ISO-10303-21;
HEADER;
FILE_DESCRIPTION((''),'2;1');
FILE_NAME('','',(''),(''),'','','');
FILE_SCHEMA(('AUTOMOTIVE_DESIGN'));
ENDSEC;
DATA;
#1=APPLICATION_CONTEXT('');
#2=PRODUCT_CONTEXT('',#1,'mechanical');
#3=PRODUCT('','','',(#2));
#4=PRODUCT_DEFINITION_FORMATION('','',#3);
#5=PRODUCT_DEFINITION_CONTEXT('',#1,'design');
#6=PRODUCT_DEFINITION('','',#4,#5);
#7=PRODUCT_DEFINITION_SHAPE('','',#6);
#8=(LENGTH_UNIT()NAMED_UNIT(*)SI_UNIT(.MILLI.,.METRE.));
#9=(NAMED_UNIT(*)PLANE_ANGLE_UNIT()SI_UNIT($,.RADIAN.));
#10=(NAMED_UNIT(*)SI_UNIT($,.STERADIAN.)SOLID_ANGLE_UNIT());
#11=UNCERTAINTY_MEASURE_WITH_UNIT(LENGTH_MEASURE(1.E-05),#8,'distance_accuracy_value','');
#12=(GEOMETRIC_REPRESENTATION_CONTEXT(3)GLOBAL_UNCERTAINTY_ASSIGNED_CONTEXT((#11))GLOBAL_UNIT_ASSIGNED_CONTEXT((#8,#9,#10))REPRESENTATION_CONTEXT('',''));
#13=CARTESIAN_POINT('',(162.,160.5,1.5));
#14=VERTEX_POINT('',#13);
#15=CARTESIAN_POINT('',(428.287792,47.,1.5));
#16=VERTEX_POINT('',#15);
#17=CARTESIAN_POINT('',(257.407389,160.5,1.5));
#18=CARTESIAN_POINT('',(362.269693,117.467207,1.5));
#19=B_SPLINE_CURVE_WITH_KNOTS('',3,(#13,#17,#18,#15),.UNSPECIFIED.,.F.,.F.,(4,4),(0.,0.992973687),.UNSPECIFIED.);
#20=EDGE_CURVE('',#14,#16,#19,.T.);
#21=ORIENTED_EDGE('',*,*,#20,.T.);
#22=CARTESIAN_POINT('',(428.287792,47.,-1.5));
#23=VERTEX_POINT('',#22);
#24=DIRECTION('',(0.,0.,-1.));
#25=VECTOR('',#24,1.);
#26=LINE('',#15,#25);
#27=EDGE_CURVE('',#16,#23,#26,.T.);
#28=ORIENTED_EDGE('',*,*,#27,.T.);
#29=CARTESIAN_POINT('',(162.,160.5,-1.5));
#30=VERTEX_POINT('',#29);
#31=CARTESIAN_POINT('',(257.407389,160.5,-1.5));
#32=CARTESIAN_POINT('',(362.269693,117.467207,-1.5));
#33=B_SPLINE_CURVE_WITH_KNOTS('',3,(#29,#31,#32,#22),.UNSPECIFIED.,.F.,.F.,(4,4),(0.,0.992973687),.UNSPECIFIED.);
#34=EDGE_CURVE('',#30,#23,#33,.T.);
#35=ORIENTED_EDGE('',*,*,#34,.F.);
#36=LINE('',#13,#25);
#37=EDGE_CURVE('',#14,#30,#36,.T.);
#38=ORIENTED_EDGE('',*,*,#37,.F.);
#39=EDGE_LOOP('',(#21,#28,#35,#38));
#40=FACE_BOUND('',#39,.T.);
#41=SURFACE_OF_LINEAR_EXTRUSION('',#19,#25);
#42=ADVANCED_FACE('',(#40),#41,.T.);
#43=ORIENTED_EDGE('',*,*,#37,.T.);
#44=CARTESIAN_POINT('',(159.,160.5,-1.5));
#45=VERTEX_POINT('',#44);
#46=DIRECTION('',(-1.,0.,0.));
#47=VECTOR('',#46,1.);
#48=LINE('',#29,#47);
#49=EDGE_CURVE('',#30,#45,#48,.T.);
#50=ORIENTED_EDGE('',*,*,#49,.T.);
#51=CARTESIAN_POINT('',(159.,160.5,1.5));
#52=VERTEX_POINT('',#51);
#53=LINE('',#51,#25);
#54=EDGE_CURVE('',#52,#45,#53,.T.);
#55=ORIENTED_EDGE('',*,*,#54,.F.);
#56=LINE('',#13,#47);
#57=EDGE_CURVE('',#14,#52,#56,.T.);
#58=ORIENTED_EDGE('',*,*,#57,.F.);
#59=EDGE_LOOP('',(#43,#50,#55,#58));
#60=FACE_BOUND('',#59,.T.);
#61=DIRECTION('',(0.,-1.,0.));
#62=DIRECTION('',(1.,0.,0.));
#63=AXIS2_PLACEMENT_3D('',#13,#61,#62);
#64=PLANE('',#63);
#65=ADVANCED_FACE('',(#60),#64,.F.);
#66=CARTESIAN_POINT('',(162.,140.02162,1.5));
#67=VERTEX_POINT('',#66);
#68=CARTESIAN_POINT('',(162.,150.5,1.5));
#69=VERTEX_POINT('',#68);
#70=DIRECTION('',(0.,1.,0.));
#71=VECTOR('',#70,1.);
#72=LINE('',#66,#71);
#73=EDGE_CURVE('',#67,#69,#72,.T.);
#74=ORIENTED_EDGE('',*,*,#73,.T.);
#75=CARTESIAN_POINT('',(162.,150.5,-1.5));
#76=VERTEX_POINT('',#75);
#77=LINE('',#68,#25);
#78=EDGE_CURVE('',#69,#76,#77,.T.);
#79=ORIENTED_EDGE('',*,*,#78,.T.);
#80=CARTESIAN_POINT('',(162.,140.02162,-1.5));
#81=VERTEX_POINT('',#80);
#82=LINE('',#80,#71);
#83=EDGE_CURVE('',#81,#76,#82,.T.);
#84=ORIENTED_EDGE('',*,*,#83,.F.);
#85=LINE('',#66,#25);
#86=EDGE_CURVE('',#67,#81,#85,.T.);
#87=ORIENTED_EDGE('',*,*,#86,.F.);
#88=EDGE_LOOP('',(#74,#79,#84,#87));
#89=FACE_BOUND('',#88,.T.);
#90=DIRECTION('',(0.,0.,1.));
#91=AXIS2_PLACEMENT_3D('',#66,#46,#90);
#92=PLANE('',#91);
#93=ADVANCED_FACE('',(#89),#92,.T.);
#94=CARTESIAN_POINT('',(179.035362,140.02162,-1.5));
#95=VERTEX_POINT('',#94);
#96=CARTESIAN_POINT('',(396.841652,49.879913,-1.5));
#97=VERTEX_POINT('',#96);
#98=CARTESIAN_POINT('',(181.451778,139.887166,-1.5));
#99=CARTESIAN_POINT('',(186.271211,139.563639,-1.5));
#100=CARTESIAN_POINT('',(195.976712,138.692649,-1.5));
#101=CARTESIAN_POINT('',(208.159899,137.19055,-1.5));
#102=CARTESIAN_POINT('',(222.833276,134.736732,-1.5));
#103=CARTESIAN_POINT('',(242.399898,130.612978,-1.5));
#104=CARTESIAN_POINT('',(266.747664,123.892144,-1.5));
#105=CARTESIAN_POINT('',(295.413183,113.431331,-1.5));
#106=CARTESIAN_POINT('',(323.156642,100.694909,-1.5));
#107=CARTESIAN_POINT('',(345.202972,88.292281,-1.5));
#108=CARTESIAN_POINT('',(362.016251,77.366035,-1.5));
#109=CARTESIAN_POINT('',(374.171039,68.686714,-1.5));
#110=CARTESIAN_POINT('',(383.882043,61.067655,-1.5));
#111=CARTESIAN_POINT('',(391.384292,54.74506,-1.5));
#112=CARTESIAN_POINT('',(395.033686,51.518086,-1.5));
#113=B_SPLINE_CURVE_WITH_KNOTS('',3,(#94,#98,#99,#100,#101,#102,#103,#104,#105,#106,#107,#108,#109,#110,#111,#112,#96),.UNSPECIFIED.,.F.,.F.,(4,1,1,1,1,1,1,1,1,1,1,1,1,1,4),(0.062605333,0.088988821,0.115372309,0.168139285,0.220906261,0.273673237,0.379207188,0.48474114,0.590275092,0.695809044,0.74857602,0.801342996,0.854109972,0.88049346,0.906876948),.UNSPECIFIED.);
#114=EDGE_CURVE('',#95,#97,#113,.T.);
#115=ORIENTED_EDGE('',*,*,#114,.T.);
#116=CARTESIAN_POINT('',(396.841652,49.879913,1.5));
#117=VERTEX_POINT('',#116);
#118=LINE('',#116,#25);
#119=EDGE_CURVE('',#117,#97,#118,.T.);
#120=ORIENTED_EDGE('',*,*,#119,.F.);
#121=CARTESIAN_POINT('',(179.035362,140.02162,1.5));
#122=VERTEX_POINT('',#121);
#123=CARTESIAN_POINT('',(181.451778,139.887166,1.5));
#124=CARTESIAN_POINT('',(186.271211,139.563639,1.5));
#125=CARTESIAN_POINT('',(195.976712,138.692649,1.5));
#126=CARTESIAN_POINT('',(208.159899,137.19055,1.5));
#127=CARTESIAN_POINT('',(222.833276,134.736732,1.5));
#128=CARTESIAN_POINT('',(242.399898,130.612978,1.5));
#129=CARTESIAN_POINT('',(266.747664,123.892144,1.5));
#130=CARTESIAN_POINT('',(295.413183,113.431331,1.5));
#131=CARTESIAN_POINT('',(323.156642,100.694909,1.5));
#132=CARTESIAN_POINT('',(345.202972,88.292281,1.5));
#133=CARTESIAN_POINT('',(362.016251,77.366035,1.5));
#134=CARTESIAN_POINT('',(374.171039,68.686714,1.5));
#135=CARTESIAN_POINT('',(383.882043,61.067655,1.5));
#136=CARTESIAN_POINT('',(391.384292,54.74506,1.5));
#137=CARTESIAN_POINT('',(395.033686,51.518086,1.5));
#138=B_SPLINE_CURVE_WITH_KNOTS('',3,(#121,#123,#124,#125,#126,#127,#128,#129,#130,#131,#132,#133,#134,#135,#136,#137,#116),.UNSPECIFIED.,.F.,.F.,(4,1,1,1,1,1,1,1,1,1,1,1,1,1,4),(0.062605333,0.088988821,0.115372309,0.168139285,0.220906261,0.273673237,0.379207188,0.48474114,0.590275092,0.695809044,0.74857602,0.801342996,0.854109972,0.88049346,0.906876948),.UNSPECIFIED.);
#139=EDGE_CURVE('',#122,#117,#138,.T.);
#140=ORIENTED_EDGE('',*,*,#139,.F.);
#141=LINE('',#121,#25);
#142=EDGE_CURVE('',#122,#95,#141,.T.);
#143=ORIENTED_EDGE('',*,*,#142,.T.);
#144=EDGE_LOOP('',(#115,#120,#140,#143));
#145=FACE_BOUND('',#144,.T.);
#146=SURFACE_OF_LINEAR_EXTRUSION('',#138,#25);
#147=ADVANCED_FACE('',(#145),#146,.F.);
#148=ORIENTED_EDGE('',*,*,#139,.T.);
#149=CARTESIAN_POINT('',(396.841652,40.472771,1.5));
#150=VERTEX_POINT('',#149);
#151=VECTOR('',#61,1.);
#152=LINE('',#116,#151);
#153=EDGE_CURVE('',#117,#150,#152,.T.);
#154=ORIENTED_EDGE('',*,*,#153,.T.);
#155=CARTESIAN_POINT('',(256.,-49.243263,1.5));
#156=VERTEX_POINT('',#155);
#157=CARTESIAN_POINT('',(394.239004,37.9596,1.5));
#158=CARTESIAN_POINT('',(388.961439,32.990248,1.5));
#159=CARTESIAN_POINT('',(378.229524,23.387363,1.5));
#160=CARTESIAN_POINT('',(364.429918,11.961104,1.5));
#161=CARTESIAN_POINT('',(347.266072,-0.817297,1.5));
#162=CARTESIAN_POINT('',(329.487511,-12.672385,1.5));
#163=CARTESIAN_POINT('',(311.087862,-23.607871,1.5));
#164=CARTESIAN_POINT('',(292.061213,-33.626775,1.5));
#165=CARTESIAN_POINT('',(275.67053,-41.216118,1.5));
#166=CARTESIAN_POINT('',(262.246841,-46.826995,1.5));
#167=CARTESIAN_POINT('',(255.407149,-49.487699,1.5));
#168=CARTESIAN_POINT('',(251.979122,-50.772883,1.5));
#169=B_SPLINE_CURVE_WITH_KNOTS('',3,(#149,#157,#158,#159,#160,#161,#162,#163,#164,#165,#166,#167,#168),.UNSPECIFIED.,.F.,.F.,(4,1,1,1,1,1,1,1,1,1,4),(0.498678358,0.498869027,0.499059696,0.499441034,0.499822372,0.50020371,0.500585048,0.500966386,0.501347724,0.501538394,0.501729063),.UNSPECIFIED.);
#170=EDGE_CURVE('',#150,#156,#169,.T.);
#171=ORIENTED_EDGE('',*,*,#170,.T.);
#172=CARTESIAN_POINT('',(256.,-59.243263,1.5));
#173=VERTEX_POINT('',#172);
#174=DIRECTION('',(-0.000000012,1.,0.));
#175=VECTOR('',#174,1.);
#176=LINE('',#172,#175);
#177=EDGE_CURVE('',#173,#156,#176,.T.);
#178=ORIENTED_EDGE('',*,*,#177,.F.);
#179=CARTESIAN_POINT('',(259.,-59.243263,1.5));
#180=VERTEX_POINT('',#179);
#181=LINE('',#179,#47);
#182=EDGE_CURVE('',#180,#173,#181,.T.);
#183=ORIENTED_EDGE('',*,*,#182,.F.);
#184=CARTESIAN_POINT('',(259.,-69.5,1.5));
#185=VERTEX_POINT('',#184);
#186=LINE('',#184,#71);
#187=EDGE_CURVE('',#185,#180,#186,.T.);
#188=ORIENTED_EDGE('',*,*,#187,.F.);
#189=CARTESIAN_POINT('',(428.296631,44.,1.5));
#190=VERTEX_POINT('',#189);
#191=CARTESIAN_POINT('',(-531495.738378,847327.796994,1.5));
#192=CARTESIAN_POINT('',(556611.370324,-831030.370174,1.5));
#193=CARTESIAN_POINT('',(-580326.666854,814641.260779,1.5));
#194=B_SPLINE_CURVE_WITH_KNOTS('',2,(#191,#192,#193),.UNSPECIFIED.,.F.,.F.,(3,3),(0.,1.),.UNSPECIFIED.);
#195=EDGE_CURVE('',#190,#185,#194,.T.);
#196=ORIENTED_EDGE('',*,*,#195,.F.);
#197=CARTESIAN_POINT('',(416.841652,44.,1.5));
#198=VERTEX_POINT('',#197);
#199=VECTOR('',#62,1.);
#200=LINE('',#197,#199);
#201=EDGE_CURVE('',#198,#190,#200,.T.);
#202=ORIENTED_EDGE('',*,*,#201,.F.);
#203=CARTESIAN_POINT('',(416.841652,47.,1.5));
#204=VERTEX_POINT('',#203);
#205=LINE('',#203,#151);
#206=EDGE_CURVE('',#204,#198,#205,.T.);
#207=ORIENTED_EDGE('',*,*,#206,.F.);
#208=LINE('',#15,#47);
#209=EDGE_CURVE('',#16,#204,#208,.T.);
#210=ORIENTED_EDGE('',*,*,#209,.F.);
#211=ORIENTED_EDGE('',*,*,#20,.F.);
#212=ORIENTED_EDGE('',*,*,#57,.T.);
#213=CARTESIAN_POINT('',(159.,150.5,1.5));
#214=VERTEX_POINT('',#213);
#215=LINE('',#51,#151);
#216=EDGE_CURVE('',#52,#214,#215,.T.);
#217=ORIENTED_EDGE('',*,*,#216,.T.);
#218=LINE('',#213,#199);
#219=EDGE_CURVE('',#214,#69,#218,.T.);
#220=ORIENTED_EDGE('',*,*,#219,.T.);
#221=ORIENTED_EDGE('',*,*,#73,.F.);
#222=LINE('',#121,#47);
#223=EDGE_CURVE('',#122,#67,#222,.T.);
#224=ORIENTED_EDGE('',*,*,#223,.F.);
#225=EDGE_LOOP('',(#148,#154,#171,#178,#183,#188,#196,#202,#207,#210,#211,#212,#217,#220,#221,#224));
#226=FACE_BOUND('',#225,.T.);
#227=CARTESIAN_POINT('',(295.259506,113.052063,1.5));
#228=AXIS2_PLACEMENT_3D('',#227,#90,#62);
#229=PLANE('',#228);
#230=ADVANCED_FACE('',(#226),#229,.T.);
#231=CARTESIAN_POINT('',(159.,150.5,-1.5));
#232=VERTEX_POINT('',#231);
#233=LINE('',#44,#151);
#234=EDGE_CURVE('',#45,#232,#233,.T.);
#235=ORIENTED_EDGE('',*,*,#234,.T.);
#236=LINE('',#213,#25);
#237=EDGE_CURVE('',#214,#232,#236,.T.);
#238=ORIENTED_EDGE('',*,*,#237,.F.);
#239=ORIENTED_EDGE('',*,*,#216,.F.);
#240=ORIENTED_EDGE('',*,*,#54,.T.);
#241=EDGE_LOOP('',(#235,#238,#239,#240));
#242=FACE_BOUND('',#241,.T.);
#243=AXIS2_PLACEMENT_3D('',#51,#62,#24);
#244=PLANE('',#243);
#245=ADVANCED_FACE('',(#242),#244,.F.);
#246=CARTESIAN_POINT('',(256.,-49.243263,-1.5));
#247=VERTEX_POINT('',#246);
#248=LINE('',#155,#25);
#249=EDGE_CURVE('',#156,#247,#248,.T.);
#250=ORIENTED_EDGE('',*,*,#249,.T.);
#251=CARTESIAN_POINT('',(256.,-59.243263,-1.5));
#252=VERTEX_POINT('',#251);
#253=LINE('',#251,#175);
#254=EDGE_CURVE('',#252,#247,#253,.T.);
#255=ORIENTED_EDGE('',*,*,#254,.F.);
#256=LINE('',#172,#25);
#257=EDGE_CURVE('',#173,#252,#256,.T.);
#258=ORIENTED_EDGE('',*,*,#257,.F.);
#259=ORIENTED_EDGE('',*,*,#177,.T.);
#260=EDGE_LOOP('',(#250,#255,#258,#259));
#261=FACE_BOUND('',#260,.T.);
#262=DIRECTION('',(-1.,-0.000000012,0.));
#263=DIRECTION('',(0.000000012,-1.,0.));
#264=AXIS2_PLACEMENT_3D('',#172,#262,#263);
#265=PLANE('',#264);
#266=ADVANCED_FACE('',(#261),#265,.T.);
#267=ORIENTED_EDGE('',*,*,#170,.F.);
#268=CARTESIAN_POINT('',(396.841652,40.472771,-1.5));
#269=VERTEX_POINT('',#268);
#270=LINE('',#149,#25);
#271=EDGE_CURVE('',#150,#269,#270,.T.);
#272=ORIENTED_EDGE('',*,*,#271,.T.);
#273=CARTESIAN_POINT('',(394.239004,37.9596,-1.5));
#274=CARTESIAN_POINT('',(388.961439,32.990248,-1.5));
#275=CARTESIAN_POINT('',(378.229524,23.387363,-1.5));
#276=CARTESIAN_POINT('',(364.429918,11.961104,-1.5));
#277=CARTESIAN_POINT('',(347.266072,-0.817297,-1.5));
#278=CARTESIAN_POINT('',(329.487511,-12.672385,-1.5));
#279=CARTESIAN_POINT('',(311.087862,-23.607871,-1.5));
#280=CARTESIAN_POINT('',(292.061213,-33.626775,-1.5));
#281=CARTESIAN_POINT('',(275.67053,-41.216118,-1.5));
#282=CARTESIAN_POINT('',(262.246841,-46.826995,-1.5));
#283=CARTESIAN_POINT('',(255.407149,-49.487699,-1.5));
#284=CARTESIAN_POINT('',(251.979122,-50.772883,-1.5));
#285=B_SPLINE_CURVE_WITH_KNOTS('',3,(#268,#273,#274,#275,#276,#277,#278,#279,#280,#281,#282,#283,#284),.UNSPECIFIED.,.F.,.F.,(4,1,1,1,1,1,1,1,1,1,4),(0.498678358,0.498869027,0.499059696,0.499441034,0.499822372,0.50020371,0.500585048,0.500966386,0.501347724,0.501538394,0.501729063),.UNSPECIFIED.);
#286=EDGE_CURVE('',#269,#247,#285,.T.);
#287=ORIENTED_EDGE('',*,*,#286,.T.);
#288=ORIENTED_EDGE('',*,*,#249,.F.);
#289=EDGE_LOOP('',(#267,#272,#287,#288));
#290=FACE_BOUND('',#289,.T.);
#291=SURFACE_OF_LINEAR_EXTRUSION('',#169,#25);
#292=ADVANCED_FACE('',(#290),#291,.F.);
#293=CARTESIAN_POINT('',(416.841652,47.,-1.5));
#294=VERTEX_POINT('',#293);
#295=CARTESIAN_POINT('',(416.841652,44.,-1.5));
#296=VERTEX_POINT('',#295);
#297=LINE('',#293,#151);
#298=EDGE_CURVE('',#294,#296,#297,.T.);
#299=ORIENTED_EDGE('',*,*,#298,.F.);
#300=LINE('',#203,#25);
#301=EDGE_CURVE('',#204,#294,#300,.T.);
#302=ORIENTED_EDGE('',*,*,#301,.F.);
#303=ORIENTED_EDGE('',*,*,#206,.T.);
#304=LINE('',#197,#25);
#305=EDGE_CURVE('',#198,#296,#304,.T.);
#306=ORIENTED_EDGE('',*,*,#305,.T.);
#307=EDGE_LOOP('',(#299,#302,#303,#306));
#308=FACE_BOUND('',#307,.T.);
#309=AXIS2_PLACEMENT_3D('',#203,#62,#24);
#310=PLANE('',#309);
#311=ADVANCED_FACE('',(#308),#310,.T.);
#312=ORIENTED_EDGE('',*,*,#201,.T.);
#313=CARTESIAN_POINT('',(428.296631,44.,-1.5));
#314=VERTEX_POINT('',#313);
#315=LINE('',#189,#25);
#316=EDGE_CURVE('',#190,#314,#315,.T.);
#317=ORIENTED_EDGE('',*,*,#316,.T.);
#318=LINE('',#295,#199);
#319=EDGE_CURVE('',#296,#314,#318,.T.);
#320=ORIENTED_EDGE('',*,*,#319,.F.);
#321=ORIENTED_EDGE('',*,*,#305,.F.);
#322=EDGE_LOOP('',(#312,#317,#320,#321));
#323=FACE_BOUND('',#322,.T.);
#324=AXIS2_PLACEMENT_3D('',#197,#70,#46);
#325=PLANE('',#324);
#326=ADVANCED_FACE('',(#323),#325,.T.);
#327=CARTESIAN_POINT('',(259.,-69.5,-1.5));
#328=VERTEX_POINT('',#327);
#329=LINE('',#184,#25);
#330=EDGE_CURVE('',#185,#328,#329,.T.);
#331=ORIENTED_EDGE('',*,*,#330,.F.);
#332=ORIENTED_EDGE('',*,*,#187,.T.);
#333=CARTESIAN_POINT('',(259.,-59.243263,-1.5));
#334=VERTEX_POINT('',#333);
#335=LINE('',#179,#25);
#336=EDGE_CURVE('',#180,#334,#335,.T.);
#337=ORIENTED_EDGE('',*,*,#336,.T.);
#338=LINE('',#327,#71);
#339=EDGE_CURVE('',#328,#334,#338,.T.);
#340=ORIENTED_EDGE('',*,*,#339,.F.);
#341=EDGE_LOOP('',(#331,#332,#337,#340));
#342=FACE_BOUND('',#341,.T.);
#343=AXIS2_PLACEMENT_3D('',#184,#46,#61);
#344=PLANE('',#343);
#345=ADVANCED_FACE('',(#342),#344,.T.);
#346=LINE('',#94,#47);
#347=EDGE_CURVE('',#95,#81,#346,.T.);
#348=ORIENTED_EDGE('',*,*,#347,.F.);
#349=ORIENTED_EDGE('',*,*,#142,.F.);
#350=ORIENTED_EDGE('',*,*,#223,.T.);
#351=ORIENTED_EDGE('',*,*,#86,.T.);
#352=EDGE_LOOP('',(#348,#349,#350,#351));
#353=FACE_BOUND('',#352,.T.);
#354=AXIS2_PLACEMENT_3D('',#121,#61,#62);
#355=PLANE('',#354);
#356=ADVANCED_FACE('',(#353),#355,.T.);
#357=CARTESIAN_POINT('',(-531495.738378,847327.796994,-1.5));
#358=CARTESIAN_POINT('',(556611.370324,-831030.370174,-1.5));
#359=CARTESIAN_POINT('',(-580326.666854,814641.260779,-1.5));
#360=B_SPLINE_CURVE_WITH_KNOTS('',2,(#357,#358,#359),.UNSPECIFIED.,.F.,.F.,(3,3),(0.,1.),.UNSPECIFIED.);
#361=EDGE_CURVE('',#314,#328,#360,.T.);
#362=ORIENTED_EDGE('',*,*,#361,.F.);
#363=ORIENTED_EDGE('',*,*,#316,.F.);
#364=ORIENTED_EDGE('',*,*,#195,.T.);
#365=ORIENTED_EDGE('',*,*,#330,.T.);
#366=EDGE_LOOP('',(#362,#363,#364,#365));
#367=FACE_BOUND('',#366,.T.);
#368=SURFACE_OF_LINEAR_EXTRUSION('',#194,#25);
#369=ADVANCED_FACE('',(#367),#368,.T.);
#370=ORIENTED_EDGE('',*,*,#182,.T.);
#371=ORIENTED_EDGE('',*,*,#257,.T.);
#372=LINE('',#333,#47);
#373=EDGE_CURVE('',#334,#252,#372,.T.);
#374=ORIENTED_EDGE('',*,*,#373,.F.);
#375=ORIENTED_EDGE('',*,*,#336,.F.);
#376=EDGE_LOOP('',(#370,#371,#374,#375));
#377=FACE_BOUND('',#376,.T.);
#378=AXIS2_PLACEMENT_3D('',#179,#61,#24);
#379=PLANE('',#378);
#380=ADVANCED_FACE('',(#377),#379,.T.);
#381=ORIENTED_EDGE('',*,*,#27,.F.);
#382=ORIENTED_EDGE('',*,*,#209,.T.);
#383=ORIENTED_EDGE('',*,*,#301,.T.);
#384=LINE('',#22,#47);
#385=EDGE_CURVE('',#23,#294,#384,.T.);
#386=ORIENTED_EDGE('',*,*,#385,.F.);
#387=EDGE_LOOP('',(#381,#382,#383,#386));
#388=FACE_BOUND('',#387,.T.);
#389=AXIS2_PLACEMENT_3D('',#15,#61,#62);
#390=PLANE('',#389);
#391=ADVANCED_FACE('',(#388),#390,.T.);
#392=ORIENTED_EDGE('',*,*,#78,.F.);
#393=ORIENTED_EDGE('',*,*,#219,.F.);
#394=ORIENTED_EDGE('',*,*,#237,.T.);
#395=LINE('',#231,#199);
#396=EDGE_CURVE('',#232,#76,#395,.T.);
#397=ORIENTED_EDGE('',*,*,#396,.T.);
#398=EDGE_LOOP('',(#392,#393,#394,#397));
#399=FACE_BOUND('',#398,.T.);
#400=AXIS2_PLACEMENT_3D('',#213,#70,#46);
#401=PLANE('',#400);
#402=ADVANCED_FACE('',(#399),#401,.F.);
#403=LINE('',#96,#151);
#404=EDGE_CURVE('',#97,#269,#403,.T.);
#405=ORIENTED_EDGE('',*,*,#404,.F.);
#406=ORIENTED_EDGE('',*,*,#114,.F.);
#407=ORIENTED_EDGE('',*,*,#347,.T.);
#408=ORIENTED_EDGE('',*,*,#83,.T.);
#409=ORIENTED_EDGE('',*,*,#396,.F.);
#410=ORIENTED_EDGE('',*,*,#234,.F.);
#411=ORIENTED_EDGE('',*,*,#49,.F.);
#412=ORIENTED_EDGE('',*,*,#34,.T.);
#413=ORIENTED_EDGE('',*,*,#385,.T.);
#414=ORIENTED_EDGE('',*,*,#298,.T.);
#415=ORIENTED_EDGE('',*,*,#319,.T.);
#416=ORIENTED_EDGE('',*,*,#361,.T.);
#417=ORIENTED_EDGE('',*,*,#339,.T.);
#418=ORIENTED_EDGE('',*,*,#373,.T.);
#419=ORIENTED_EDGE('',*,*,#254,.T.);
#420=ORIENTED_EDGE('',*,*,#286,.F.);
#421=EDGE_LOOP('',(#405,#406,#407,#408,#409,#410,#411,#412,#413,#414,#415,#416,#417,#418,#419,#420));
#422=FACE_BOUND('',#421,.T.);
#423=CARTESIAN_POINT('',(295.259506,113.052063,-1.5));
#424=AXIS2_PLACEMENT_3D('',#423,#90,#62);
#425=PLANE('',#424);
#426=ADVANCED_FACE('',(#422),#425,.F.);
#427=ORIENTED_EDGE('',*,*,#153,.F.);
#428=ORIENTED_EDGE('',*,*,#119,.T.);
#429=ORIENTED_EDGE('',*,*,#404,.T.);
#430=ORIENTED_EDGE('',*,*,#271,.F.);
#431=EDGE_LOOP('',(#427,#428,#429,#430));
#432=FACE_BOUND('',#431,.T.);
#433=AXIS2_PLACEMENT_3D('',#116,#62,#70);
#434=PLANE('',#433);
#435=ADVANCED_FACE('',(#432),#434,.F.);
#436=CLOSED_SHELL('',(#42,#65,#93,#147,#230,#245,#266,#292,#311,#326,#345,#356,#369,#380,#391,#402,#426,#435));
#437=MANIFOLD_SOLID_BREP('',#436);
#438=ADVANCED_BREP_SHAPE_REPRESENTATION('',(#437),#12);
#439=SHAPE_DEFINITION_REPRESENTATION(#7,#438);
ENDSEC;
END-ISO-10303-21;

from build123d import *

# Parameters (mm, degrees)
BOSS_EXTRUDE1_DEPTH = 1.5


with BuildPart() as part:
    # Sketch1 → Boss-Extrude1 (new, symmetric)
    with BuildSketch(Plane.XY):
        with BuildLine():
            Line((162, 160.5), (159, 160.5))
            Line((159, 160.5), (159, 150.5))
            Line((159, 150.5), (162, 150.5))
            Line((162, 150.5), (162, 140.021619695))
            Line((162, 140.021619695), (179.035361639, 140.021619695))
            add(Edge.make_bspline(
                [(179.035361639, 140.021619695), (181.45177758, 139.887166151), (186.271210948, 139.563639144), (195.976712465, 138.692648533), (208.159899275, 137.190549701), (222.833276173, 134.736731876), (242.399897845, 130.612978325), (266.747664338, 123.892143887), (295.413182721, 113.431330715), (323.15664222, 100.694908753), (345.202971848, 88.292281007), (362.016251386, 77.366035054), (374.171038921, 68.686714489), (383.882043125, 61.067655319), (391.384292246, 54.745059633), (395.0336858, 51.518085922), (396.841652361, 49.879913246)],
                knots=[0.062605333, 0.062605333, 0.062605333, 0.062605333, 0.088988821, 0.115372309, 0.168139285, 0.220906261, 0.273673237, 0.379207188, 0.48474114, 0.590275092, 0.695809044, 0.74857602, 0.801342996, 0.854109972, 0.88049346, 0.906876948, 0.906876948, 0.906876948, 0.906876948], degree=3))
            Line((396.841652361, 49.879913246), (396.841652361, 40.472770569))
            add(Edge.make_bspline(
                [(396.841652361, 40.472770569), (394.239003506, 37.959600968), (388.961437182, 32.990250996), (378.229519379, 23.387370863), (364.429910112, 11.961116868), (347.266061507, -0.817277542), (329.48749774, -12.672358947), (311.087845987, -23.607837965), (292.061194965, -33.626734895), (275.670510367, -41.216070972), (263.560614549, -46.277800338), (258.079868533, -48.44047437), (255.999999882, -49.243263144)],
                knots=[0.498678358, 0.498678358, 0.498678358, 0.498678358, 0.498869027, 0.499059696, 0.499441034, 0.499822372, 0.50020371, 0.500585048, 0.500966386, 0.501347724, 0.501538394, 0.501654418, 0.501654418, 0.501654418, 0.501654418], degree=3))
            Line((255.999999882, -49.243263144), (256, -59.243263104))
            Line((256, -59.243263104), (259, -59.243263104))
            Line((259, -59.243263104), (259, -69.5))
            add(Edge.make_bspline(
                [(428.29663113, 44), (357.033753936, -32.746716062), (259, -69.5)],
                knots=[0, 0, 0, 1, 1, 1], degree=2))
            Line((428.29663113, 44), (416.841652361, 44))
            Line((416.841652361, 44), (416.841652361, 47))
            Line((416.841652361, 47), (428.287791795, 47.000000003))
            add(Edge.make_bspline(
                [(162, 160.5), (257.407389322, 160.5), (362.26969339, 117.467207351), (428.287791795, 47.000000003)],
                knots=[0, 0, 0, 0, 0.992973687, 0.992973687, 0.992973687, 0.992973687], degree=3))
        make_face()
    extrude(amount=BOSS_EXTRUDE1_DEPTH, both=True)


solid = part.part
